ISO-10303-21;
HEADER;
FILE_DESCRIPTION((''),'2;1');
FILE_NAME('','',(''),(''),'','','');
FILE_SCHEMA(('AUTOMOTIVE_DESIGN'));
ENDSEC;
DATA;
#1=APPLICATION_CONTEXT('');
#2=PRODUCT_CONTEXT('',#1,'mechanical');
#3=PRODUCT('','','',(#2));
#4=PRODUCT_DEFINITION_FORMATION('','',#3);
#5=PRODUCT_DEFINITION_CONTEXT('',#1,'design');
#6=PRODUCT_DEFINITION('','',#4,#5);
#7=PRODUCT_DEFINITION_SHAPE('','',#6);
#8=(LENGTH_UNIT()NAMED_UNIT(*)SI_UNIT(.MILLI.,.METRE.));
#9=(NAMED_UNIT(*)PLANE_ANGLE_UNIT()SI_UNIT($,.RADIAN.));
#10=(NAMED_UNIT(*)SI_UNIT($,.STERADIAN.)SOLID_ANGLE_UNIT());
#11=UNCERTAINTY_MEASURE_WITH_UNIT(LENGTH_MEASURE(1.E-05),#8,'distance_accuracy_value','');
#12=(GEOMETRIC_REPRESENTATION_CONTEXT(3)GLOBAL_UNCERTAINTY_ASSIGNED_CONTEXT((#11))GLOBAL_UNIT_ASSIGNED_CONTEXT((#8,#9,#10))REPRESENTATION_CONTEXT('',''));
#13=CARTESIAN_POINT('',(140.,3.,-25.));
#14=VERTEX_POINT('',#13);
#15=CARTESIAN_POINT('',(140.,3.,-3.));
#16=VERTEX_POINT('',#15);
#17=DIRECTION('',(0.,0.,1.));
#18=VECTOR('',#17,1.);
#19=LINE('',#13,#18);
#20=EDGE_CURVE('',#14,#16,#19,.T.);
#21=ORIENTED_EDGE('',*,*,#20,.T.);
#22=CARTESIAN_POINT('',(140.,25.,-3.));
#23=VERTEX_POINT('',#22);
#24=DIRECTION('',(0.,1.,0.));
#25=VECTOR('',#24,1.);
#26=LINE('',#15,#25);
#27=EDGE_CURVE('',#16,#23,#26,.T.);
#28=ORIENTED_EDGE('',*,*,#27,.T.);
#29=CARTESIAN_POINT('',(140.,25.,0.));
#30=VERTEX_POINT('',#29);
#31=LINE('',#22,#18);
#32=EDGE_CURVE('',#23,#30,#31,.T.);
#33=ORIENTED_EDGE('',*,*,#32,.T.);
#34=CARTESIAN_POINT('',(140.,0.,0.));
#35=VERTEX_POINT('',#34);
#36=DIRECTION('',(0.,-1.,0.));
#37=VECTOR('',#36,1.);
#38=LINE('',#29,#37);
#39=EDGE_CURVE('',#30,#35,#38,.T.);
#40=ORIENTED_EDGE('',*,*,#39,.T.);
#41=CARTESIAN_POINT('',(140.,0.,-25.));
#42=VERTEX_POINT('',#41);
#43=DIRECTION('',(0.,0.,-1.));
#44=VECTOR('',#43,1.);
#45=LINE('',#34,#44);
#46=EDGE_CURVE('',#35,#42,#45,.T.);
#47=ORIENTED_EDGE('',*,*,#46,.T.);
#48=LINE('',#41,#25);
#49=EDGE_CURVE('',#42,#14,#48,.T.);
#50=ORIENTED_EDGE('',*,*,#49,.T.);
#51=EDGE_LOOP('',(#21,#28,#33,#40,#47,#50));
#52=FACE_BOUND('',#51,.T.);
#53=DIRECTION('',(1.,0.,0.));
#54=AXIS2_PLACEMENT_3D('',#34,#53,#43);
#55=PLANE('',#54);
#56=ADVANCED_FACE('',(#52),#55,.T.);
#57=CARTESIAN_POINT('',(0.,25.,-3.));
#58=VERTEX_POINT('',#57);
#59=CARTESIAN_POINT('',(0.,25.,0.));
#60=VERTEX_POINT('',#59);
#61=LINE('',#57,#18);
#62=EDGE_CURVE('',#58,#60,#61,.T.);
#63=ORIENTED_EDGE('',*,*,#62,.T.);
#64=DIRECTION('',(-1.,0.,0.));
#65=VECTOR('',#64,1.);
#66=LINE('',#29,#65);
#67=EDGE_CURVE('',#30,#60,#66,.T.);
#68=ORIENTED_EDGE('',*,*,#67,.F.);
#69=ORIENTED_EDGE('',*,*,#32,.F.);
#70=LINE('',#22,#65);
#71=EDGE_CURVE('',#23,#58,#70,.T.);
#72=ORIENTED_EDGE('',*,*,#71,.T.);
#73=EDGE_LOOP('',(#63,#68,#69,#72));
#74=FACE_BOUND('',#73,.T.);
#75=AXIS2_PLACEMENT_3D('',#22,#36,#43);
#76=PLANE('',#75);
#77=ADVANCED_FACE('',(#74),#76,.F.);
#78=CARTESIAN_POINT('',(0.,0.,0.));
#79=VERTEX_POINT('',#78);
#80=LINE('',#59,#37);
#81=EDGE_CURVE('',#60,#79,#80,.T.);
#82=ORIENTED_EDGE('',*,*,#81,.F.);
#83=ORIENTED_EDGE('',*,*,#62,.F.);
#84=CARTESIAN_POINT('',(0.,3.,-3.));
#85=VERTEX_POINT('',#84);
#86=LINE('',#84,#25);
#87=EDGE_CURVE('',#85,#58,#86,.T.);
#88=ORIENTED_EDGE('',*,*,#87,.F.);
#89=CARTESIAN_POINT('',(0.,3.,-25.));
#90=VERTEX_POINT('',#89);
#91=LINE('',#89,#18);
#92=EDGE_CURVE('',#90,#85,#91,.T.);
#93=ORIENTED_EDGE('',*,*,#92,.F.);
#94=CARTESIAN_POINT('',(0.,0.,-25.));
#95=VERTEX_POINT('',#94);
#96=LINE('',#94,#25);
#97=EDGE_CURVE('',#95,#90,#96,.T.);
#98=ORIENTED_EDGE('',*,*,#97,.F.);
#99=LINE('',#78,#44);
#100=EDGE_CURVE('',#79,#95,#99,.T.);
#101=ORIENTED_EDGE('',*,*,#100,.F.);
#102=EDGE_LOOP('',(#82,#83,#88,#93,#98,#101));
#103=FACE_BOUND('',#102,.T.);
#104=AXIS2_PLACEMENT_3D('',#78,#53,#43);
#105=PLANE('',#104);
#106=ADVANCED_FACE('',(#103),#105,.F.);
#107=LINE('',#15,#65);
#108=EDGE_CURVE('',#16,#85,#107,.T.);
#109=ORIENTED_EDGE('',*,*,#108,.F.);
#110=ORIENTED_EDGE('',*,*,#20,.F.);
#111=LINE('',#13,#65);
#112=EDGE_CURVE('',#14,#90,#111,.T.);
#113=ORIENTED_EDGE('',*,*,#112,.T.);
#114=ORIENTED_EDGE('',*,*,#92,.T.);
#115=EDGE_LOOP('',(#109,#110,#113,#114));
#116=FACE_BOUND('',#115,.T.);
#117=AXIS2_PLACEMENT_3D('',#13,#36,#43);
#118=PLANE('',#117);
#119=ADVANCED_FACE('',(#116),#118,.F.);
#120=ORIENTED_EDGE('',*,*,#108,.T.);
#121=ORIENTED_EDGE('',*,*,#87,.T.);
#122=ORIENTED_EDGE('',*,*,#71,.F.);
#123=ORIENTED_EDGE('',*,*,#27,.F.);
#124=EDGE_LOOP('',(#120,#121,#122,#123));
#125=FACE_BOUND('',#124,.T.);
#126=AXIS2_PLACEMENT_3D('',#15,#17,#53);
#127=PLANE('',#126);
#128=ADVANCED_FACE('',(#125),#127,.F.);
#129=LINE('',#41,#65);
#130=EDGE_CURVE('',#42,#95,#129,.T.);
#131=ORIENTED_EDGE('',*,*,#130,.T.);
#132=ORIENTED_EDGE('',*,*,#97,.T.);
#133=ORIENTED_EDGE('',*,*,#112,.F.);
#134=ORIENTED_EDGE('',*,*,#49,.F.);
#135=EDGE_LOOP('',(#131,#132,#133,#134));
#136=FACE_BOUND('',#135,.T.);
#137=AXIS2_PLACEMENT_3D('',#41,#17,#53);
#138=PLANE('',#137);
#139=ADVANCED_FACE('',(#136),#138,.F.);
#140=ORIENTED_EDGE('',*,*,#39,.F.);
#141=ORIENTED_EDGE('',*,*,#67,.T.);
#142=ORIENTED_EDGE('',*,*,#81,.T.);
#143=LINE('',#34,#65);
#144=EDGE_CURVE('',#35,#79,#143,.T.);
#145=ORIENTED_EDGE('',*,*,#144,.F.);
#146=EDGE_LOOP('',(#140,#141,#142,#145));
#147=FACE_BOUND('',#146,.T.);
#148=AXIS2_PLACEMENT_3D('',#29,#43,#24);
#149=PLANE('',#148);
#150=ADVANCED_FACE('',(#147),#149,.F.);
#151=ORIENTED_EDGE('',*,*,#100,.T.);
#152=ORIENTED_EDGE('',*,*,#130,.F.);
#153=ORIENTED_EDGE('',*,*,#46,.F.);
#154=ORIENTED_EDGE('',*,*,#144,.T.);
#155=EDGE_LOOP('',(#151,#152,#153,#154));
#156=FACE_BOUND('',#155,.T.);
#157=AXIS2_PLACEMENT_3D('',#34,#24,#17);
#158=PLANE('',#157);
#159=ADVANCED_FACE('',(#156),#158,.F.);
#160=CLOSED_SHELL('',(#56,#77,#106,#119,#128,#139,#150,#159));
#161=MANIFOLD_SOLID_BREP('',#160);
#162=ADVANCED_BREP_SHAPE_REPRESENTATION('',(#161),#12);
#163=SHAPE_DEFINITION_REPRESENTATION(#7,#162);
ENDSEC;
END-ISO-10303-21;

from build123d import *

# Parameters (mm, degrees)
EXTRUDE_1_DEPTH = 140


with BuildPart() as part:
    # Эскиз1 → Бобышка-Вытянуть1 (new body)
    with BuildSketch(Plane(origin=(0, 0, 0), x_dir=(0, 0, -1), z_dir=(1, 0, 0))):
        Polygon((0, 25), (0, 0), (25, 0), (25, 3), (3, 3), (3, 25), align=None)
    extrude(amount=EXTRUDE_1_DEPTH)


solid = part.part
